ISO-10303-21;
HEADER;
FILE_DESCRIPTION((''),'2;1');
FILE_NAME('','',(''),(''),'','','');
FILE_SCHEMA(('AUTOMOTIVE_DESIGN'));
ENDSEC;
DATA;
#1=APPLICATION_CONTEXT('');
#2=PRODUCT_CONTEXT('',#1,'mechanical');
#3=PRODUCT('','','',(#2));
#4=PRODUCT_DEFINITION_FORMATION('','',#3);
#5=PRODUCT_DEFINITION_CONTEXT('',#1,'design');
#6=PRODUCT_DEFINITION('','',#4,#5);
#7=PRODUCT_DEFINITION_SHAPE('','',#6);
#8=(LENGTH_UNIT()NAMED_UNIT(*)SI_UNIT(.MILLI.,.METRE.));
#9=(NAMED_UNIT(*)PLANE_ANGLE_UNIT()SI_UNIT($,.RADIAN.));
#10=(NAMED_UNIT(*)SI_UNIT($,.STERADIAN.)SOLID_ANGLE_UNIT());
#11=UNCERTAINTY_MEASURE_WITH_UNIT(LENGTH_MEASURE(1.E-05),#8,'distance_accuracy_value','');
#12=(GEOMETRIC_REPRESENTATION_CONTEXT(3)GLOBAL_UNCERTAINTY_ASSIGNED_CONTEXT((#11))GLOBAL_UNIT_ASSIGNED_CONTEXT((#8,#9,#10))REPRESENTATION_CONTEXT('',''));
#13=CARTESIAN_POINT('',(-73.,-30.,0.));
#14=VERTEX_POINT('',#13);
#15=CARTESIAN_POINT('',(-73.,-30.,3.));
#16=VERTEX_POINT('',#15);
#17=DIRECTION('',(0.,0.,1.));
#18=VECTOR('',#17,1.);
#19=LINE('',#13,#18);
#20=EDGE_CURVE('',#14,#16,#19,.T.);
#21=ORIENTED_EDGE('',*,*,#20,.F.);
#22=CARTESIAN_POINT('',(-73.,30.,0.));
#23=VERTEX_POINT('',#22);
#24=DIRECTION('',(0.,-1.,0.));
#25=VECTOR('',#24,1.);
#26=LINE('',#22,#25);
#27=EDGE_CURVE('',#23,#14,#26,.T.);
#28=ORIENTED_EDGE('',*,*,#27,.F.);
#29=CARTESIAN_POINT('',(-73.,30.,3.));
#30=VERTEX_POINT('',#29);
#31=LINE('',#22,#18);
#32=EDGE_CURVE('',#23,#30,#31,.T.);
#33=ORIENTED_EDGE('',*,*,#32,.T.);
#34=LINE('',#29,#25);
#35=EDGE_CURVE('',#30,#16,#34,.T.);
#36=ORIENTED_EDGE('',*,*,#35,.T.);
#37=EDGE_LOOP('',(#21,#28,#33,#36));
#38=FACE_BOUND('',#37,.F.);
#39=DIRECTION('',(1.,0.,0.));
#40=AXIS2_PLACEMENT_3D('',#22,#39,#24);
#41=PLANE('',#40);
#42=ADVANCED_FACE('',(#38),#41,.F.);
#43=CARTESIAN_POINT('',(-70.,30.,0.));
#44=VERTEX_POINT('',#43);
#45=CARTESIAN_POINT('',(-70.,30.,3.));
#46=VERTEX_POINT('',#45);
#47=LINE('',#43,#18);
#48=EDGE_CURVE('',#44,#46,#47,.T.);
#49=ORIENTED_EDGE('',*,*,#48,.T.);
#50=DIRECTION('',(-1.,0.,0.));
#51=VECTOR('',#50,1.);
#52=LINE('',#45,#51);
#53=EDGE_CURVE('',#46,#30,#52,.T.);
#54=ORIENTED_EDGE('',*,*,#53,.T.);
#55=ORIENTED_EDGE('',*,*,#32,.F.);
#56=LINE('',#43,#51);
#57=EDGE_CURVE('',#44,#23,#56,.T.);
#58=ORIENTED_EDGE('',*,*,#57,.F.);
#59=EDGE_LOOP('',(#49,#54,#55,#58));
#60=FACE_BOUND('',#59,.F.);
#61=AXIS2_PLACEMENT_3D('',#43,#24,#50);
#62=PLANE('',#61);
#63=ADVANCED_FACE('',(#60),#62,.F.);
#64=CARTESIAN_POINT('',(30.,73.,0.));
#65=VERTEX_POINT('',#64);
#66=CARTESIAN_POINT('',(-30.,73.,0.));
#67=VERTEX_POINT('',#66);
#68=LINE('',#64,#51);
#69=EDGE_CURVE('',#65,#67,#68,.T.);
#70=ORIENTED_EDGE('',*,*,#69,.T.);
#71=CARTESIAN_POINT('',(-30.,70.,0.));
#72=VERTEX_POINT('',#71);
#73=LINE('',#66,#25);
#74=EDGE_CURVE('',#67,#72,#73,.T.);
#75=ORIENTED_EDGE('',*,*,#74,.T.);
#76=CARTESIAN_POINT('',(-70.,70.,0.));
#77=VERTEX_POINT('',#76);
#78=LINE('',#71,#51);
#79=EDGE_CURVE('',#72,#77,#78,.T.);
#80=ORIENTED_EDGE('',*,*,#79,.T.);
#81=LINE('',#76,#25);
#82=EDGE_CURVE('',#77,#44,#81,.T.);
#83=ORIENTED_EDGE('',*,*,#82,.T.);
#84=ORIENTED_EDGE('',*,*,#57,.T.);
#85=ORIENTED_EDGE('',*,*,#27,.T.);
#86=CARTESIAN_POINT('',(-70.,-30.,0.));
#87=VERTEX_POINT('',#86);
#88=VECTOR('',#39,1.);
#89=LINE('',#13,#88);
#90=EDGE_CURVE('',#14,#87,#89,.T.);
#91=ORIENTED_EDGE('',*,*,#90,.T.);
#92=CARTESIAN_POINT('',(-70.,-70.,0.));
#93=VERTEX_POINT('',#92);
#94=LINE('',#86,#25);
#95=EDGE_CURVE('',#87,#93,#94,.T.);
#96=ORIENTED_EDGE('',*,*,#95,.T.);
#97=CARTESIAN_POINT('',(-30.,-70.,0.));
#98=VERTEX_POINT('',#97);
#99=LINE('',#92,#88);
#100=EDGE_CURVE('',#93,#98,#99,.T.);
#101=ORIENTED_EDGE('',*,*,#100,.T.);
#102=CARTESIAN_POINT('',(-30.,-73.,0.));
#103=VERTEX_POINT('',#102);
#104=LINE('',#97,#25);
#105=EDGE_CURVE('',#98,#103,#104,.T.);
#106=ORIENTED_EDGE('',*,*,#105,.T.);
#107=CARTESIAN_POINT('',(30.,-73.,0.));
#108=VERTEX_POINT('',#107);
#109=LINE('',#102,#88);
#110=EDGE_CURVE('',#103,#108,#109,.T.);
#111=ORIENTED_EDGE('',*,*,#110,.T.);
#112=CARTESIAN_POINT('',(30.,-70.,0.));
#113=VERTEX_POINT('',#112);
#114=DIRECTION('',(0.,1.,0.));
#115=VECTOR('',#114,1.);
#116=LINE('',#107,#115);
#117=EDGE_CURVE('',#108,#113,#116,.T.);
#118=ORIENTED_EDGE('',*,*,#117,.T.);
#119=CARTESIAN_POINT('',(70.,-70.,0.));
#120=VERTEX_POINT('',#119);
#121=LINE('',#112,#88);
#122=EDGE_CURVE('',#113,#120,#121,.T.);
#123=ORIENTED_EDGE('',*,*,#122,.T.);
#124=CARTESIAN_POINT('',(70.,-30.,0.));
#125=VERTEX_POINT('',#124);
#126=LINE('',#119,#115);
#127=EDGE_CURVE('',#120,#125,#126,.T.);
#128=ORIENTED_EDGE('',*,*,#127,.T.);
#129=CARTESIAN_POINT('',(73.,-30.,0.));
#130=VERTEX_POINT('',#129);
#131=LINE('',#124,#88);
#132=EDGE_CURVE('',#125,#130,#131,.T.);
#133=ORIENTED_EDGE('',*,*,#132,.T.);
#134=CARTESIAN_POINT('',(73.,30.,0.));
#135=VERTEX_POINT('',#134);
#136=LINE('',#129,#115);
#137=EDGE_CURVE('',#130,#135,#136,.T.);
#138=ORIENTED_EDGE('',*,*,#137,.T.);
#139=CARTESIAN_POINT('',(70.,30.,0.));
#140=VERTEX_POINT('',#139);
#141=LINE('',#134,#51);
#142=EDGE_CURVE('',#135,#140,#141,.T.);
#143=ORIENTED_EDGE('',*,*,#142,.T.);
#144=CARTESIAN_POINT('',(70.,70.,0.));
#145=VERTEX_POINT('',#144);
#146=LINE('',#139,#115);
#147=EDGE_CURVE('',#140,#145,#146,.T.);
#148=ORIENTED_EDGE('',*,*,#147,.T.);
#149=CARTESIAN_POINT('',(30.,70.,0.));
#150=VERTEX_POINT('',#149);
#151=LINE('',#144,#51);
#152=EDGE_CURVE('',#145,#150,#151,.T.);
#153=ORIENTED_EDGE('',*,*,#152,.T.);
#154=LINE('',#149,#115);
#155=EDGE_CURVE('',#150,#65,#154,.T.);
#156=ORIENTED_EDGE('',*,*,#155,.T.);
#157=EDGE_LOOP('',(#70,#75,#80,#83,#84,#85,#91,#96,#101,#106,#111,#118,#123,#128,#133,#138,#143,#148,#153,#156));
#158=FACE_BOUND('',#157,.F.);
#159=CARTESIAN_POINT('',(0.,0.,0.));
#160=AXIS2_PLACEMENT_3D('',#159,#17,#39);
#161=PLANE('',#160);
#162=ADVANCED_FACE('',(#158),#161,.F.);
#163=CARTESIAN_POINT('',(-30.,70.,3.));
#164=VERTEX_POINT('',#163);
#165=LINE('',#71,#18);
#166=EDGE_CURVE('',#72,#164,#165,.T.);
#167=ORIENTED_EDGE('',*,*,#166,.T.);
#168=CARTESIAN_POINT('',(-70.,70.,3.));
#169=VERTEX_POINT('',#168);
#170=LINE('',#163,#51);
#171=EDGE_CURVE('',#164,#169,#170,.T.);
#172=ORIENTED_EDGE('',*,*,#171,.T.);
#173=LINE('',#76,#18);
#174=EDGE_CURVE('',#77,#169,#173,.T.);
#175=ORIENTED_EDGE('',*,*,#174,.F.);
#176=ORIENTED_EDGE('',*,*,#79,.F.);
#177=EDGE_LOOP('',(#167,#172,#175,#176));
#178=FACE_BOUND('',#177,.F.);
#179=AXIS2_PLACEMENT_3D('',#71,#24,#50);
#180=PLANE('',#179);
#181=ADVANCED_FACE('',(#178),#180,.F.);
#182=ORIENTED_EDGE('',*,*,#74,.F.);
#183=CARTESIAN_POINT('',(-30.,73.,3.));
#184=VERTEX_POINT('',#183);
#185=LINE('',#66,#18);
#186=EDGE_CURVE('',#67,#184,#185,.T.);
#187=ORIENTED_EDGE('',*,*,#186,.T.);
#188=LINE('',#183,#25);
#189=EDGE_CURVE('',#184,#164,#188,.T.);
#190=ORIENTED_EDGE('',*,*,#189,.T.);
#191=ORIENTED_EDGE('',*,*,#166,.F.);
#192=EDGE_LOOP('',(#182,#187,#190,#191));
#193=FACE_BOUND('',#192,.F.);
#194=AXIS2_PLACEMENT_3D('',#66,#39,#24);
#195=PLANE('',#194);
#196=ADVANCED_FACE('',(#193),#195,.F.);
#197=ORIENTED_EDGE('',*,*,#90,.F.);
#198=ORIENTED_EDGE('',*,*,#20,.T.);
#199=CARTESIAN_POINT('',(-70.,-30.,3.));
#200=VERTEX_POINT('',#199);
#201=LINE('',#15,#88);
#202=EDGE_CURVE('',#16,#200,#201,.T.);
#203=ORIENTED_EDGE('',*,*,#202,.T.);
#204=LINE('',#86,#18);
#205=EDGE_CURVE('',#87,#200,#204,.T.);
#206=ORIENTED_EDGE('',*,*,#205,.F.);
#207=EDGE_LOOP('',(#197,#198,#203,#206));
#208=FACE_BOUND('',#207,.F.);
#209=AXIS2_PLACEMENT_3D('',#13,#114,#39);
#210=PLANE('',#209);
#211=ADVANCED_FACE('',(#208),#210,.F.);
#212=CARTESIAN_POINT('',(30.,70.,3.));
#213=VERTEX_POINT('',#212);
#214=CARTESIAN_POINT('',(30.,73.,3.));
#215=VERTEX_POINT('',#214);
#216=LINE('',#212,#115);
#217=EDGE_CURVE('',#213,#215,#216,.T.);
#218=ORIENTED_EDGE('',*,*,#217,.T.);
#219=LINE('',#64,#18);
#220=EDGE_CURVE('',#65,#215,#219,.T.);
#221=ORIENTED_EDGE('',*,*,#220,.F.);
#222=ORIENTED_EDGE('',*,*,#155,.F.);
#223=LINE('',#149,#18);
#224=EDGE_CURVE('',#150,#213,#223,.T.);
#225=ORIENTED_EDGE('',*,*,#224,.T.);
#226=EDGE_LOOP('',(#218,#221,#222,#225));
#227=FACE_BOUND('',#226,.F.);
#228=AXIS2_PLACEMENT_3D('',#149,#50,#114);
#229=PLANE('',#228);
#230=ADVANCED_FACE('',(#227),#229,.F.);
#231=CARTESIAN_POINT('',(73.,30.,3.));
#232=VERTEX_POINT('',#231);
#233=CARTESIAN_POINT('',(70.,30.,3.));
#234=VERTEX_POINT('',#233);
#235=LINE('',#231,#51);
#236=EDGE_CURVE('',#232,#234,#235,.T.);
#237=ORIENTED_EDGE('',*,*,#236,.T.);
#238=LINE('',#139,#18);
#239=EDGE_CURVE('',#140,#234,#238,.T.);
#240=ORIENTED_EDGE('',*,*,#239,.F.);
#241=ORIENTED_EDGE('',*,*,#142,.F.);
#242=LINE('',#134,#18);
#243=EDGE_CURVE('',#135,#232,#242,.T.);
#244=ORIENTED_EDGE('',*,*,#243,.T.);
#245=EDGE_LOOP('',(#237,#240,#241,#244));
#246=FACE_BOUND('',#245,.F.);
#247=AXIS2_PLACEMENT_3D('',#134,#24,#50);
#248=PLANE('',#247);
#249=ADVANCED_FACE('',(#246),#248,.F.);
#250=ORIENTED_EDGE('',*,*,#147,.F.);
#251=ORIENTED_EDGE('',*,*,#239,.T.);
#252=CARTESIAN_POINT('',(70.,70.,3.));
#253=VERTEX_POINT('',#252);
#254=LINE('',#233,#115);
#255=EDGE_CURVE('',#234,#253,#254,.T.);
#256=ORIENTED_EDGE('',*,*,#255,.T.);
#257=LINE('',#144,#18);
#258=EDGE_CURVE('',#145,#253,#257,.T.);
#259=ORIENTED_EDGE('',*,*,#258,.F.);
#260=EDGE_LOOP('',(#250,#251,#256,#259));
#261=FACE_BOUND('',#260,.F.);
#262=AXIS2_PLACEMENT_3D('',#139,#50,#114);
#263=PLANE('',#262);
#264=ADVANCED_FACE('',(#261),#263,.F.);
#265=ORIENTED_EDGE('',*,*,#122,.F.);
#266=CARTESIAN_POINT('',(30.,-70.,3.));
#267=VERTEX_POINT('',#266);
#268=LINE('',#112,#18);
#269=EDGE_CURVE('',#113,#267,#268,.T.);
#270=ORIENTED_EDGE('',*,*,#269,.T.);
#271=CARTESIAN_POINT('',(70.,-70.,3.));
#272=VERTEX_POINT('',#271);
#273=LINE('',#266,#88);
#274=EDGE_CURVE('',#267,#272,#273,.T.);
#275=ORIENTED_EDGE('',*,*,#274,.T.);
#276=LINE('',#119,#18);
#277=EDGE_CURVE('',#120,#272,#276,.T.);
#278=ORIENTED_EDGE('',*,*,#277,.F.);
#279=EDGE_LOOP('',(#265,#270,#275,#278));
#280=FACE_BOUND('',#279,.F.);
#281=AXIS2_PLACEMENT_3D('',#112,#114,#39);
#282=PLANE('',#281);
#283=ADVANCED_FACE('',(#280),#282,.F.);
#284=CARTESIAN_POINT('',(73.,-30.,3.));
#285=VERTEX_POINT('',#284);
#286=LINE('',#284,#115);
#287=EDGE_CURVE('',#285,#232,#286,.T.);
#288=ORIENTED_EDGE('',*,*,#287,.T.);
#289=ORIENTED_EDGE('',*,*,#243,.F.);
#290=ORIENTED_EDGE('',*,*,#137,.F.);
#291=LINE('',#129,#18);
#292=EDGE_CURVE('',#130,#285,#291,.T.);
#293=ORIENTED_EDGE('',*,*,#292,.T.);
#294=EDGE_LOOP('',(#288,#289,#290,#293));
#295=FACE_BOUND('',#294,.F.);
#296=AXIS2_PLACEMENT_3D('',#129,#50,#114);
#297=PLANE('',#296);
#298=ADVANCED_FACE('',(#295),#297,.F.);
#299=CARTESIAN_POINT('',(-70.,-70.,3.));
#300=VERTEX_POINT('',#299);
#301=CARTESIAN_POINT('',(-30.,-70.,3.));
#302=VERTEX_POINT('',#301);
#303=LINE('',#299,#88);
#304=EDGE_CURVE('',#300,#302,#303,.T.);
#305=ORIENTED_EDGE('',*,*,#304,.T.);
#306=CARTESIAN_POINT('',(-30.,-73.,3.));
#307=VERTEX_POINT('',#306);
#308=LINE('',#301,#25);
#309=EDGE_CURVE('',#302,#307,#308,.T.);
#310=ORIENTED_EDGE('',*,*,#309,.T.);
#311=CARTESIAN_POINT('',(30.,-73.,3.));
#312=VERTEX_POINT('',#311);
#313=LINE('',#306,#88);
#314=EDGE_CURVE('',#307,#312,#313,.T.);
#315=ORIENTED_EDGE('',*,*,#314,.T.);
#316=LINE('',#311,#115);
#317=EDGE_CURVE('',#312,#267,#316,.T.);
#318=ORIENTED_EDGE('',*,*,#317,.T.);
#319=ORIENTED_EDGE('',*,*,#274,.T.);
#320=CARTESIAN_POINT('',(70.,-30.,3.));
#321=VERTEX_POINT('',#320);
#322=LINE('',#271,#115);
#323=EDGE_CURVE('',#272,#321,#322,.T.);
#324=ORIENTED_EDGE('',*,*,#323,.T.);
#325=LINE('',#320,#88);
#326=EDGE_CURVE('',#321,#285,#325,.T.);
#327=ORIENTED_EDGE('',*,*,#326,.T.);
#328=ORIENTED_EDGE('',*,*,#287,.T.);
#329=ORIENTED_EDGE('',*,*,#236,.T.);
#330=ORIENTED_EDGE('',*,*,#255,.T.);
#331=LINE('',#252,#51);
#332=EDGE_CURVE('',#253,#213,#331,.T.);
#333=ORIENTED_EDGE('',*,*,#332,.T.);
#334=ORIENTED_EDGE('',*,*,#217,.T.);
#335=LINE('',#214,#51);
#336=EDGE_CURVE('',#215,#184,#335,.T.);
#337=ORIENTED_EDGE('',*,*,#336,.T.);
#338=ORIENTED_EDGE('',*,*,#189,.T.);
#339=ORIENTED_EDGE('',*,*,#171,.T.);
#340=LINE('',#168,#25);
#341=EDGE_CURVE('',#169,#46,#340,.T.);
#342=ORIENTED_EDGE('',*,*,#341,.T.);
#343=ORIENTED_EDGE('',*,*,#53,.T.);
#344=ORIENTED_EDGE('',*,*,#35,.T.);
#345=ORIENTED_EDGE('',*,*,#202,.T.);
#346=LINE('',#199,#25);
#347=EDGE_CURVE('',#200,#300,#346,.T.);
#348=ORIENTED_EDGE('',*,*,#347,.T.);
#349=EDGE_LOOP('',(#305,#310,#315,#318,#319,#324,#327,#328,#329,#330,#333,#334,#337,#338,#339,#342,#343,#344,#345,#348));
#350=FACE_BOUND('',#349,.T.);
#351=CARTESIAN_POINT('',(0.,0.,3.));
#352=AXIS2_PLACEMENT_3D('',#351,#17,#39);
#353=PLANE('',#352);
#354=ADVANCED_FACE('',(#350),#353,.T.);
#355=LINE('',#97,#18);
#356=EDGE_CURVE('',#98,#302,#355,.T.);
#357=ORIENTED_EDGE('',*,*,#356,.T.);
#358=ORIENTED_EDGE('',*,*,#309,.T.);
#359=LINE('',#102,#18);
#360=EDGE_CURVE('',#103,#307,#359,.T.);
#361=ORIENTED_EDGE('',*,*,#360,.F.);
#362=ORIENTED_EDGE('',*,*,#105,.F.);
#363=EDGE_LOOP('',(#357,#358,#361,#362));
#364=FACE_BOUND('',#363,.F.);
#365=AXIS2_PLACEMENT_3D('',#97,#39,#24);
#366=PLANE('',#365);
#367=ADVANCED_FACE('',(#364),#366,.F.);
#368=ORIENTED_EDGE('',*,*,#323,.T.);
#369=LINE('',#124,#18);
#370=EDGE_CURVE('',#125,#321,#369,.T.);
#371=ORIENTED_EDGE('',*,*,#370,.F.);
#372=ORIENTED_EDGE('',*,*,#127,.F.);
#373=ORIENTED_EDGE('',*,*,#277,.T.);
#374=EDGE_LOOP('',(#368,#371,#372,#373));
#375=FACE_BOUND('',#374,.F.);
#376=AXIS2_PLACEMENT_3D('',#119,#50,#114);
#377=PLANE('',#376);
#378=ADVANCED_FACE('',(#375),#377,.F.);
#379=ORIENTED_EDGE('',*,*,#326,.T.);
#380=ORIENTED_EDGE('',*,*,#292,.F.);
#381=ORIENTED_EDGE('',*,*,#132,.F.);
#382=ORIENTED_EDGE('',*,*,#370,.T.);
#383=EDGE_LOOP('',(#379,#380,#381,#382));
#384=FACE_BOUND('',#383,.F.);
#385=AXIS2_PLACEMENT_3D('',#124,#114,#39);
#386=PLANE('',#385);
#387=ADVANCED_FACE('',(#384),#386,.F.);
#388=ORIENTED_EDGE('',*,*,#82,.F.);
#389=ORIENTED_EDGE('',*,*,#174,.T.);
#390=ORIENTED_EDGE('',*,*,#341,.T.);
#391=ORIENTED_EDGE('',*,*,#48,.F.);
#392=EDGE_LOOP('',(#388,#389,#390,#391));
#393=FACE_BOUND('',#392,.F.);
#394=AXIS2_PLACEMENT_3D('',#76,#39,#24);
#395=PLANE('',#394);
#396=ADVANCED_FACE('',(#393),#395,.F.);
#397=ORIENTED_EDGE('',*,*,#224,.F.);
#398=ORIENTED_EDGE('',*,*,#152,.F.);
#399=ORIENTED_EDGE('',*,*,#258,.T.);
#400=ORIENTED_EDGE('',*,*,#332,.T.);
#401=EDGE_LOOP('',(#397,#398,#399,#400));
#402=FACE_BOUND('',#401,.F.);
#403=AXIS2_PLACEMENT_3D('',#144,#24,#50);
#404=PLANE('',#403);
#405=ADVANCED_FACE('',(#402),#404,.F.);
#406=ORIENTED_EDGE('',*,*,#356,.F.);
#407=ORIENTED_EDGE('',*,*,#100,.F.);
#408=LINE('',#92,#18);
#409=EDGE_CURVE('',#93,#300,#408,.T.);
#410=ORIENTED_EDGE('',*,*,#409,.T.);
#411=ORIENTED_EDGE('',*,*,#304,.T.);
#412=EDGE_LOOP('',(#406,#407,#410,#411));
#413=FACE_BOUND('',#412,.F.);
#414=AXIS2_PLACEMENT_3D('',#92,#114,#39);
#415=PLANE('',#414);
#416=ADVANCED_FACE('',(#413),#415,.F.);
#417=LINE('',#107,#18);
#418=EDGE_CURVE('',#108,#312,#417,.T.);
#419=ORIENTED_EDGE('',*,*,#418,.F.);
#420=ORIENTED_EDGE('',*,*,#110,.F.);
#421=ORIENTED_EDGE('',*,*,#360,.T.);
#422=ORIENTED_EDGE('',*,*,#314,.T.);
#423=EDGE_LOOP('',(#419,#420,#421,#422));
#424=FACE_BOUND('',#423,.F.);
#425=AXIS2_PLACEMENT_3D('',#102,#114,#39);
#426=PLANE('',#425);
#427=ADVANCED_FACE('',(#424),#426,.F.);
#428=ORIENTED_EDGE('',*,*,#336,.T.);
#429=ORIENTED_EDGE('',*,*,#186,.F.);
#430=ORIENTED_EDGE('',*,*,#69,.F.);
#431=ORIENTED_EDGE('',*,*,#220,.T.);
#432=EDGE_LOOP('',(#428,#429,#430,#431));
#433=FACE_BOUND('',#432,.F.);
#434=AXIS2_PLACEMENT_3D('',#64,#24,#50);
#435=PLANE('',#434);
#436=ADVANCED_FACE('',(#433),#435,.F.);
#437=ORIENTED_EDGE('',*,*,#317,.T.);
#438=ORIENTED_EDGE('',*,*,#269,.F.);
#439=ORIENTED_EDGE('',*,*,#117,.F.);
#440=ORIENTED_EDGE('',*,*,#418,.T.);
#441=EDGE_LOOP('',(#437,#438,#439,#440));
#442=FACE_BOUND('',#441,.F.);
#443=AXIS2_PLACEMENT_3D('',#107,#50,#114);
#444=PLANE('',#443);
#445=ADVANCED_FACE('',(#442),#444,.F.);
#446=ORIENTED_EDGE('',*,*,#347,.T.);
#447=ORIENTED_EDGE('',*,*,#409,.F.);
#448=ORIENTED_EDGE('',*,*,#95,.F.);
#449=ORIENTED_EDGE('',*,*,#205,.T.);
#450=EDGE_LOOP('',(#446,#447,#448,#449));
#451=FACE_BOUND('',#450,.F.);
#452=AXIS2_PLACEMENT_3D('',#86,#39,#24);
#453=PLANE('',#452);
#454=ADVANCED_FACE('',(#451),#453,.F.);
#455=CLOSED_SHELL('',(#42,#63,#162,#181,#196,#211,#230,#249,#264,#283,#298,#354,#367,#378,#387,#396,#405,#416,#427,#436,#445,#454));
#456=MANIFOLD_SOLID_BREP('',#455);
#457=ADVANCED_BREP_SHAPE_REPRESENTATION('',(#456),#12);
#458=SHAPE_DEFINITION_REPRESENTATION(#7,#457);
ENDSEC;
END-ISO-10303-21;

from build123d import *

# Parameters (mm, degrees)
F1_DEPTH = 3


with BuildPart() as f1:
    # F0 (on Top) → F1 (new body)
    with BuildSketch(Plane.XY):
        Polygon((30, -70), (70, -70), (70, -30), (73, -30), (73, 30), (70, 30), (70, 70), (30, 70), (30, 73), (-30, 73), (-30, 70), (-70, 70), (-70, 30), (-73, 30), (-73, -30), (-70, -30), (-70, -70), (-30, -70), (-30, -73), (30, -73), align=None)
    extrude(amount=F1_DEPTH)


solid = f1.part
